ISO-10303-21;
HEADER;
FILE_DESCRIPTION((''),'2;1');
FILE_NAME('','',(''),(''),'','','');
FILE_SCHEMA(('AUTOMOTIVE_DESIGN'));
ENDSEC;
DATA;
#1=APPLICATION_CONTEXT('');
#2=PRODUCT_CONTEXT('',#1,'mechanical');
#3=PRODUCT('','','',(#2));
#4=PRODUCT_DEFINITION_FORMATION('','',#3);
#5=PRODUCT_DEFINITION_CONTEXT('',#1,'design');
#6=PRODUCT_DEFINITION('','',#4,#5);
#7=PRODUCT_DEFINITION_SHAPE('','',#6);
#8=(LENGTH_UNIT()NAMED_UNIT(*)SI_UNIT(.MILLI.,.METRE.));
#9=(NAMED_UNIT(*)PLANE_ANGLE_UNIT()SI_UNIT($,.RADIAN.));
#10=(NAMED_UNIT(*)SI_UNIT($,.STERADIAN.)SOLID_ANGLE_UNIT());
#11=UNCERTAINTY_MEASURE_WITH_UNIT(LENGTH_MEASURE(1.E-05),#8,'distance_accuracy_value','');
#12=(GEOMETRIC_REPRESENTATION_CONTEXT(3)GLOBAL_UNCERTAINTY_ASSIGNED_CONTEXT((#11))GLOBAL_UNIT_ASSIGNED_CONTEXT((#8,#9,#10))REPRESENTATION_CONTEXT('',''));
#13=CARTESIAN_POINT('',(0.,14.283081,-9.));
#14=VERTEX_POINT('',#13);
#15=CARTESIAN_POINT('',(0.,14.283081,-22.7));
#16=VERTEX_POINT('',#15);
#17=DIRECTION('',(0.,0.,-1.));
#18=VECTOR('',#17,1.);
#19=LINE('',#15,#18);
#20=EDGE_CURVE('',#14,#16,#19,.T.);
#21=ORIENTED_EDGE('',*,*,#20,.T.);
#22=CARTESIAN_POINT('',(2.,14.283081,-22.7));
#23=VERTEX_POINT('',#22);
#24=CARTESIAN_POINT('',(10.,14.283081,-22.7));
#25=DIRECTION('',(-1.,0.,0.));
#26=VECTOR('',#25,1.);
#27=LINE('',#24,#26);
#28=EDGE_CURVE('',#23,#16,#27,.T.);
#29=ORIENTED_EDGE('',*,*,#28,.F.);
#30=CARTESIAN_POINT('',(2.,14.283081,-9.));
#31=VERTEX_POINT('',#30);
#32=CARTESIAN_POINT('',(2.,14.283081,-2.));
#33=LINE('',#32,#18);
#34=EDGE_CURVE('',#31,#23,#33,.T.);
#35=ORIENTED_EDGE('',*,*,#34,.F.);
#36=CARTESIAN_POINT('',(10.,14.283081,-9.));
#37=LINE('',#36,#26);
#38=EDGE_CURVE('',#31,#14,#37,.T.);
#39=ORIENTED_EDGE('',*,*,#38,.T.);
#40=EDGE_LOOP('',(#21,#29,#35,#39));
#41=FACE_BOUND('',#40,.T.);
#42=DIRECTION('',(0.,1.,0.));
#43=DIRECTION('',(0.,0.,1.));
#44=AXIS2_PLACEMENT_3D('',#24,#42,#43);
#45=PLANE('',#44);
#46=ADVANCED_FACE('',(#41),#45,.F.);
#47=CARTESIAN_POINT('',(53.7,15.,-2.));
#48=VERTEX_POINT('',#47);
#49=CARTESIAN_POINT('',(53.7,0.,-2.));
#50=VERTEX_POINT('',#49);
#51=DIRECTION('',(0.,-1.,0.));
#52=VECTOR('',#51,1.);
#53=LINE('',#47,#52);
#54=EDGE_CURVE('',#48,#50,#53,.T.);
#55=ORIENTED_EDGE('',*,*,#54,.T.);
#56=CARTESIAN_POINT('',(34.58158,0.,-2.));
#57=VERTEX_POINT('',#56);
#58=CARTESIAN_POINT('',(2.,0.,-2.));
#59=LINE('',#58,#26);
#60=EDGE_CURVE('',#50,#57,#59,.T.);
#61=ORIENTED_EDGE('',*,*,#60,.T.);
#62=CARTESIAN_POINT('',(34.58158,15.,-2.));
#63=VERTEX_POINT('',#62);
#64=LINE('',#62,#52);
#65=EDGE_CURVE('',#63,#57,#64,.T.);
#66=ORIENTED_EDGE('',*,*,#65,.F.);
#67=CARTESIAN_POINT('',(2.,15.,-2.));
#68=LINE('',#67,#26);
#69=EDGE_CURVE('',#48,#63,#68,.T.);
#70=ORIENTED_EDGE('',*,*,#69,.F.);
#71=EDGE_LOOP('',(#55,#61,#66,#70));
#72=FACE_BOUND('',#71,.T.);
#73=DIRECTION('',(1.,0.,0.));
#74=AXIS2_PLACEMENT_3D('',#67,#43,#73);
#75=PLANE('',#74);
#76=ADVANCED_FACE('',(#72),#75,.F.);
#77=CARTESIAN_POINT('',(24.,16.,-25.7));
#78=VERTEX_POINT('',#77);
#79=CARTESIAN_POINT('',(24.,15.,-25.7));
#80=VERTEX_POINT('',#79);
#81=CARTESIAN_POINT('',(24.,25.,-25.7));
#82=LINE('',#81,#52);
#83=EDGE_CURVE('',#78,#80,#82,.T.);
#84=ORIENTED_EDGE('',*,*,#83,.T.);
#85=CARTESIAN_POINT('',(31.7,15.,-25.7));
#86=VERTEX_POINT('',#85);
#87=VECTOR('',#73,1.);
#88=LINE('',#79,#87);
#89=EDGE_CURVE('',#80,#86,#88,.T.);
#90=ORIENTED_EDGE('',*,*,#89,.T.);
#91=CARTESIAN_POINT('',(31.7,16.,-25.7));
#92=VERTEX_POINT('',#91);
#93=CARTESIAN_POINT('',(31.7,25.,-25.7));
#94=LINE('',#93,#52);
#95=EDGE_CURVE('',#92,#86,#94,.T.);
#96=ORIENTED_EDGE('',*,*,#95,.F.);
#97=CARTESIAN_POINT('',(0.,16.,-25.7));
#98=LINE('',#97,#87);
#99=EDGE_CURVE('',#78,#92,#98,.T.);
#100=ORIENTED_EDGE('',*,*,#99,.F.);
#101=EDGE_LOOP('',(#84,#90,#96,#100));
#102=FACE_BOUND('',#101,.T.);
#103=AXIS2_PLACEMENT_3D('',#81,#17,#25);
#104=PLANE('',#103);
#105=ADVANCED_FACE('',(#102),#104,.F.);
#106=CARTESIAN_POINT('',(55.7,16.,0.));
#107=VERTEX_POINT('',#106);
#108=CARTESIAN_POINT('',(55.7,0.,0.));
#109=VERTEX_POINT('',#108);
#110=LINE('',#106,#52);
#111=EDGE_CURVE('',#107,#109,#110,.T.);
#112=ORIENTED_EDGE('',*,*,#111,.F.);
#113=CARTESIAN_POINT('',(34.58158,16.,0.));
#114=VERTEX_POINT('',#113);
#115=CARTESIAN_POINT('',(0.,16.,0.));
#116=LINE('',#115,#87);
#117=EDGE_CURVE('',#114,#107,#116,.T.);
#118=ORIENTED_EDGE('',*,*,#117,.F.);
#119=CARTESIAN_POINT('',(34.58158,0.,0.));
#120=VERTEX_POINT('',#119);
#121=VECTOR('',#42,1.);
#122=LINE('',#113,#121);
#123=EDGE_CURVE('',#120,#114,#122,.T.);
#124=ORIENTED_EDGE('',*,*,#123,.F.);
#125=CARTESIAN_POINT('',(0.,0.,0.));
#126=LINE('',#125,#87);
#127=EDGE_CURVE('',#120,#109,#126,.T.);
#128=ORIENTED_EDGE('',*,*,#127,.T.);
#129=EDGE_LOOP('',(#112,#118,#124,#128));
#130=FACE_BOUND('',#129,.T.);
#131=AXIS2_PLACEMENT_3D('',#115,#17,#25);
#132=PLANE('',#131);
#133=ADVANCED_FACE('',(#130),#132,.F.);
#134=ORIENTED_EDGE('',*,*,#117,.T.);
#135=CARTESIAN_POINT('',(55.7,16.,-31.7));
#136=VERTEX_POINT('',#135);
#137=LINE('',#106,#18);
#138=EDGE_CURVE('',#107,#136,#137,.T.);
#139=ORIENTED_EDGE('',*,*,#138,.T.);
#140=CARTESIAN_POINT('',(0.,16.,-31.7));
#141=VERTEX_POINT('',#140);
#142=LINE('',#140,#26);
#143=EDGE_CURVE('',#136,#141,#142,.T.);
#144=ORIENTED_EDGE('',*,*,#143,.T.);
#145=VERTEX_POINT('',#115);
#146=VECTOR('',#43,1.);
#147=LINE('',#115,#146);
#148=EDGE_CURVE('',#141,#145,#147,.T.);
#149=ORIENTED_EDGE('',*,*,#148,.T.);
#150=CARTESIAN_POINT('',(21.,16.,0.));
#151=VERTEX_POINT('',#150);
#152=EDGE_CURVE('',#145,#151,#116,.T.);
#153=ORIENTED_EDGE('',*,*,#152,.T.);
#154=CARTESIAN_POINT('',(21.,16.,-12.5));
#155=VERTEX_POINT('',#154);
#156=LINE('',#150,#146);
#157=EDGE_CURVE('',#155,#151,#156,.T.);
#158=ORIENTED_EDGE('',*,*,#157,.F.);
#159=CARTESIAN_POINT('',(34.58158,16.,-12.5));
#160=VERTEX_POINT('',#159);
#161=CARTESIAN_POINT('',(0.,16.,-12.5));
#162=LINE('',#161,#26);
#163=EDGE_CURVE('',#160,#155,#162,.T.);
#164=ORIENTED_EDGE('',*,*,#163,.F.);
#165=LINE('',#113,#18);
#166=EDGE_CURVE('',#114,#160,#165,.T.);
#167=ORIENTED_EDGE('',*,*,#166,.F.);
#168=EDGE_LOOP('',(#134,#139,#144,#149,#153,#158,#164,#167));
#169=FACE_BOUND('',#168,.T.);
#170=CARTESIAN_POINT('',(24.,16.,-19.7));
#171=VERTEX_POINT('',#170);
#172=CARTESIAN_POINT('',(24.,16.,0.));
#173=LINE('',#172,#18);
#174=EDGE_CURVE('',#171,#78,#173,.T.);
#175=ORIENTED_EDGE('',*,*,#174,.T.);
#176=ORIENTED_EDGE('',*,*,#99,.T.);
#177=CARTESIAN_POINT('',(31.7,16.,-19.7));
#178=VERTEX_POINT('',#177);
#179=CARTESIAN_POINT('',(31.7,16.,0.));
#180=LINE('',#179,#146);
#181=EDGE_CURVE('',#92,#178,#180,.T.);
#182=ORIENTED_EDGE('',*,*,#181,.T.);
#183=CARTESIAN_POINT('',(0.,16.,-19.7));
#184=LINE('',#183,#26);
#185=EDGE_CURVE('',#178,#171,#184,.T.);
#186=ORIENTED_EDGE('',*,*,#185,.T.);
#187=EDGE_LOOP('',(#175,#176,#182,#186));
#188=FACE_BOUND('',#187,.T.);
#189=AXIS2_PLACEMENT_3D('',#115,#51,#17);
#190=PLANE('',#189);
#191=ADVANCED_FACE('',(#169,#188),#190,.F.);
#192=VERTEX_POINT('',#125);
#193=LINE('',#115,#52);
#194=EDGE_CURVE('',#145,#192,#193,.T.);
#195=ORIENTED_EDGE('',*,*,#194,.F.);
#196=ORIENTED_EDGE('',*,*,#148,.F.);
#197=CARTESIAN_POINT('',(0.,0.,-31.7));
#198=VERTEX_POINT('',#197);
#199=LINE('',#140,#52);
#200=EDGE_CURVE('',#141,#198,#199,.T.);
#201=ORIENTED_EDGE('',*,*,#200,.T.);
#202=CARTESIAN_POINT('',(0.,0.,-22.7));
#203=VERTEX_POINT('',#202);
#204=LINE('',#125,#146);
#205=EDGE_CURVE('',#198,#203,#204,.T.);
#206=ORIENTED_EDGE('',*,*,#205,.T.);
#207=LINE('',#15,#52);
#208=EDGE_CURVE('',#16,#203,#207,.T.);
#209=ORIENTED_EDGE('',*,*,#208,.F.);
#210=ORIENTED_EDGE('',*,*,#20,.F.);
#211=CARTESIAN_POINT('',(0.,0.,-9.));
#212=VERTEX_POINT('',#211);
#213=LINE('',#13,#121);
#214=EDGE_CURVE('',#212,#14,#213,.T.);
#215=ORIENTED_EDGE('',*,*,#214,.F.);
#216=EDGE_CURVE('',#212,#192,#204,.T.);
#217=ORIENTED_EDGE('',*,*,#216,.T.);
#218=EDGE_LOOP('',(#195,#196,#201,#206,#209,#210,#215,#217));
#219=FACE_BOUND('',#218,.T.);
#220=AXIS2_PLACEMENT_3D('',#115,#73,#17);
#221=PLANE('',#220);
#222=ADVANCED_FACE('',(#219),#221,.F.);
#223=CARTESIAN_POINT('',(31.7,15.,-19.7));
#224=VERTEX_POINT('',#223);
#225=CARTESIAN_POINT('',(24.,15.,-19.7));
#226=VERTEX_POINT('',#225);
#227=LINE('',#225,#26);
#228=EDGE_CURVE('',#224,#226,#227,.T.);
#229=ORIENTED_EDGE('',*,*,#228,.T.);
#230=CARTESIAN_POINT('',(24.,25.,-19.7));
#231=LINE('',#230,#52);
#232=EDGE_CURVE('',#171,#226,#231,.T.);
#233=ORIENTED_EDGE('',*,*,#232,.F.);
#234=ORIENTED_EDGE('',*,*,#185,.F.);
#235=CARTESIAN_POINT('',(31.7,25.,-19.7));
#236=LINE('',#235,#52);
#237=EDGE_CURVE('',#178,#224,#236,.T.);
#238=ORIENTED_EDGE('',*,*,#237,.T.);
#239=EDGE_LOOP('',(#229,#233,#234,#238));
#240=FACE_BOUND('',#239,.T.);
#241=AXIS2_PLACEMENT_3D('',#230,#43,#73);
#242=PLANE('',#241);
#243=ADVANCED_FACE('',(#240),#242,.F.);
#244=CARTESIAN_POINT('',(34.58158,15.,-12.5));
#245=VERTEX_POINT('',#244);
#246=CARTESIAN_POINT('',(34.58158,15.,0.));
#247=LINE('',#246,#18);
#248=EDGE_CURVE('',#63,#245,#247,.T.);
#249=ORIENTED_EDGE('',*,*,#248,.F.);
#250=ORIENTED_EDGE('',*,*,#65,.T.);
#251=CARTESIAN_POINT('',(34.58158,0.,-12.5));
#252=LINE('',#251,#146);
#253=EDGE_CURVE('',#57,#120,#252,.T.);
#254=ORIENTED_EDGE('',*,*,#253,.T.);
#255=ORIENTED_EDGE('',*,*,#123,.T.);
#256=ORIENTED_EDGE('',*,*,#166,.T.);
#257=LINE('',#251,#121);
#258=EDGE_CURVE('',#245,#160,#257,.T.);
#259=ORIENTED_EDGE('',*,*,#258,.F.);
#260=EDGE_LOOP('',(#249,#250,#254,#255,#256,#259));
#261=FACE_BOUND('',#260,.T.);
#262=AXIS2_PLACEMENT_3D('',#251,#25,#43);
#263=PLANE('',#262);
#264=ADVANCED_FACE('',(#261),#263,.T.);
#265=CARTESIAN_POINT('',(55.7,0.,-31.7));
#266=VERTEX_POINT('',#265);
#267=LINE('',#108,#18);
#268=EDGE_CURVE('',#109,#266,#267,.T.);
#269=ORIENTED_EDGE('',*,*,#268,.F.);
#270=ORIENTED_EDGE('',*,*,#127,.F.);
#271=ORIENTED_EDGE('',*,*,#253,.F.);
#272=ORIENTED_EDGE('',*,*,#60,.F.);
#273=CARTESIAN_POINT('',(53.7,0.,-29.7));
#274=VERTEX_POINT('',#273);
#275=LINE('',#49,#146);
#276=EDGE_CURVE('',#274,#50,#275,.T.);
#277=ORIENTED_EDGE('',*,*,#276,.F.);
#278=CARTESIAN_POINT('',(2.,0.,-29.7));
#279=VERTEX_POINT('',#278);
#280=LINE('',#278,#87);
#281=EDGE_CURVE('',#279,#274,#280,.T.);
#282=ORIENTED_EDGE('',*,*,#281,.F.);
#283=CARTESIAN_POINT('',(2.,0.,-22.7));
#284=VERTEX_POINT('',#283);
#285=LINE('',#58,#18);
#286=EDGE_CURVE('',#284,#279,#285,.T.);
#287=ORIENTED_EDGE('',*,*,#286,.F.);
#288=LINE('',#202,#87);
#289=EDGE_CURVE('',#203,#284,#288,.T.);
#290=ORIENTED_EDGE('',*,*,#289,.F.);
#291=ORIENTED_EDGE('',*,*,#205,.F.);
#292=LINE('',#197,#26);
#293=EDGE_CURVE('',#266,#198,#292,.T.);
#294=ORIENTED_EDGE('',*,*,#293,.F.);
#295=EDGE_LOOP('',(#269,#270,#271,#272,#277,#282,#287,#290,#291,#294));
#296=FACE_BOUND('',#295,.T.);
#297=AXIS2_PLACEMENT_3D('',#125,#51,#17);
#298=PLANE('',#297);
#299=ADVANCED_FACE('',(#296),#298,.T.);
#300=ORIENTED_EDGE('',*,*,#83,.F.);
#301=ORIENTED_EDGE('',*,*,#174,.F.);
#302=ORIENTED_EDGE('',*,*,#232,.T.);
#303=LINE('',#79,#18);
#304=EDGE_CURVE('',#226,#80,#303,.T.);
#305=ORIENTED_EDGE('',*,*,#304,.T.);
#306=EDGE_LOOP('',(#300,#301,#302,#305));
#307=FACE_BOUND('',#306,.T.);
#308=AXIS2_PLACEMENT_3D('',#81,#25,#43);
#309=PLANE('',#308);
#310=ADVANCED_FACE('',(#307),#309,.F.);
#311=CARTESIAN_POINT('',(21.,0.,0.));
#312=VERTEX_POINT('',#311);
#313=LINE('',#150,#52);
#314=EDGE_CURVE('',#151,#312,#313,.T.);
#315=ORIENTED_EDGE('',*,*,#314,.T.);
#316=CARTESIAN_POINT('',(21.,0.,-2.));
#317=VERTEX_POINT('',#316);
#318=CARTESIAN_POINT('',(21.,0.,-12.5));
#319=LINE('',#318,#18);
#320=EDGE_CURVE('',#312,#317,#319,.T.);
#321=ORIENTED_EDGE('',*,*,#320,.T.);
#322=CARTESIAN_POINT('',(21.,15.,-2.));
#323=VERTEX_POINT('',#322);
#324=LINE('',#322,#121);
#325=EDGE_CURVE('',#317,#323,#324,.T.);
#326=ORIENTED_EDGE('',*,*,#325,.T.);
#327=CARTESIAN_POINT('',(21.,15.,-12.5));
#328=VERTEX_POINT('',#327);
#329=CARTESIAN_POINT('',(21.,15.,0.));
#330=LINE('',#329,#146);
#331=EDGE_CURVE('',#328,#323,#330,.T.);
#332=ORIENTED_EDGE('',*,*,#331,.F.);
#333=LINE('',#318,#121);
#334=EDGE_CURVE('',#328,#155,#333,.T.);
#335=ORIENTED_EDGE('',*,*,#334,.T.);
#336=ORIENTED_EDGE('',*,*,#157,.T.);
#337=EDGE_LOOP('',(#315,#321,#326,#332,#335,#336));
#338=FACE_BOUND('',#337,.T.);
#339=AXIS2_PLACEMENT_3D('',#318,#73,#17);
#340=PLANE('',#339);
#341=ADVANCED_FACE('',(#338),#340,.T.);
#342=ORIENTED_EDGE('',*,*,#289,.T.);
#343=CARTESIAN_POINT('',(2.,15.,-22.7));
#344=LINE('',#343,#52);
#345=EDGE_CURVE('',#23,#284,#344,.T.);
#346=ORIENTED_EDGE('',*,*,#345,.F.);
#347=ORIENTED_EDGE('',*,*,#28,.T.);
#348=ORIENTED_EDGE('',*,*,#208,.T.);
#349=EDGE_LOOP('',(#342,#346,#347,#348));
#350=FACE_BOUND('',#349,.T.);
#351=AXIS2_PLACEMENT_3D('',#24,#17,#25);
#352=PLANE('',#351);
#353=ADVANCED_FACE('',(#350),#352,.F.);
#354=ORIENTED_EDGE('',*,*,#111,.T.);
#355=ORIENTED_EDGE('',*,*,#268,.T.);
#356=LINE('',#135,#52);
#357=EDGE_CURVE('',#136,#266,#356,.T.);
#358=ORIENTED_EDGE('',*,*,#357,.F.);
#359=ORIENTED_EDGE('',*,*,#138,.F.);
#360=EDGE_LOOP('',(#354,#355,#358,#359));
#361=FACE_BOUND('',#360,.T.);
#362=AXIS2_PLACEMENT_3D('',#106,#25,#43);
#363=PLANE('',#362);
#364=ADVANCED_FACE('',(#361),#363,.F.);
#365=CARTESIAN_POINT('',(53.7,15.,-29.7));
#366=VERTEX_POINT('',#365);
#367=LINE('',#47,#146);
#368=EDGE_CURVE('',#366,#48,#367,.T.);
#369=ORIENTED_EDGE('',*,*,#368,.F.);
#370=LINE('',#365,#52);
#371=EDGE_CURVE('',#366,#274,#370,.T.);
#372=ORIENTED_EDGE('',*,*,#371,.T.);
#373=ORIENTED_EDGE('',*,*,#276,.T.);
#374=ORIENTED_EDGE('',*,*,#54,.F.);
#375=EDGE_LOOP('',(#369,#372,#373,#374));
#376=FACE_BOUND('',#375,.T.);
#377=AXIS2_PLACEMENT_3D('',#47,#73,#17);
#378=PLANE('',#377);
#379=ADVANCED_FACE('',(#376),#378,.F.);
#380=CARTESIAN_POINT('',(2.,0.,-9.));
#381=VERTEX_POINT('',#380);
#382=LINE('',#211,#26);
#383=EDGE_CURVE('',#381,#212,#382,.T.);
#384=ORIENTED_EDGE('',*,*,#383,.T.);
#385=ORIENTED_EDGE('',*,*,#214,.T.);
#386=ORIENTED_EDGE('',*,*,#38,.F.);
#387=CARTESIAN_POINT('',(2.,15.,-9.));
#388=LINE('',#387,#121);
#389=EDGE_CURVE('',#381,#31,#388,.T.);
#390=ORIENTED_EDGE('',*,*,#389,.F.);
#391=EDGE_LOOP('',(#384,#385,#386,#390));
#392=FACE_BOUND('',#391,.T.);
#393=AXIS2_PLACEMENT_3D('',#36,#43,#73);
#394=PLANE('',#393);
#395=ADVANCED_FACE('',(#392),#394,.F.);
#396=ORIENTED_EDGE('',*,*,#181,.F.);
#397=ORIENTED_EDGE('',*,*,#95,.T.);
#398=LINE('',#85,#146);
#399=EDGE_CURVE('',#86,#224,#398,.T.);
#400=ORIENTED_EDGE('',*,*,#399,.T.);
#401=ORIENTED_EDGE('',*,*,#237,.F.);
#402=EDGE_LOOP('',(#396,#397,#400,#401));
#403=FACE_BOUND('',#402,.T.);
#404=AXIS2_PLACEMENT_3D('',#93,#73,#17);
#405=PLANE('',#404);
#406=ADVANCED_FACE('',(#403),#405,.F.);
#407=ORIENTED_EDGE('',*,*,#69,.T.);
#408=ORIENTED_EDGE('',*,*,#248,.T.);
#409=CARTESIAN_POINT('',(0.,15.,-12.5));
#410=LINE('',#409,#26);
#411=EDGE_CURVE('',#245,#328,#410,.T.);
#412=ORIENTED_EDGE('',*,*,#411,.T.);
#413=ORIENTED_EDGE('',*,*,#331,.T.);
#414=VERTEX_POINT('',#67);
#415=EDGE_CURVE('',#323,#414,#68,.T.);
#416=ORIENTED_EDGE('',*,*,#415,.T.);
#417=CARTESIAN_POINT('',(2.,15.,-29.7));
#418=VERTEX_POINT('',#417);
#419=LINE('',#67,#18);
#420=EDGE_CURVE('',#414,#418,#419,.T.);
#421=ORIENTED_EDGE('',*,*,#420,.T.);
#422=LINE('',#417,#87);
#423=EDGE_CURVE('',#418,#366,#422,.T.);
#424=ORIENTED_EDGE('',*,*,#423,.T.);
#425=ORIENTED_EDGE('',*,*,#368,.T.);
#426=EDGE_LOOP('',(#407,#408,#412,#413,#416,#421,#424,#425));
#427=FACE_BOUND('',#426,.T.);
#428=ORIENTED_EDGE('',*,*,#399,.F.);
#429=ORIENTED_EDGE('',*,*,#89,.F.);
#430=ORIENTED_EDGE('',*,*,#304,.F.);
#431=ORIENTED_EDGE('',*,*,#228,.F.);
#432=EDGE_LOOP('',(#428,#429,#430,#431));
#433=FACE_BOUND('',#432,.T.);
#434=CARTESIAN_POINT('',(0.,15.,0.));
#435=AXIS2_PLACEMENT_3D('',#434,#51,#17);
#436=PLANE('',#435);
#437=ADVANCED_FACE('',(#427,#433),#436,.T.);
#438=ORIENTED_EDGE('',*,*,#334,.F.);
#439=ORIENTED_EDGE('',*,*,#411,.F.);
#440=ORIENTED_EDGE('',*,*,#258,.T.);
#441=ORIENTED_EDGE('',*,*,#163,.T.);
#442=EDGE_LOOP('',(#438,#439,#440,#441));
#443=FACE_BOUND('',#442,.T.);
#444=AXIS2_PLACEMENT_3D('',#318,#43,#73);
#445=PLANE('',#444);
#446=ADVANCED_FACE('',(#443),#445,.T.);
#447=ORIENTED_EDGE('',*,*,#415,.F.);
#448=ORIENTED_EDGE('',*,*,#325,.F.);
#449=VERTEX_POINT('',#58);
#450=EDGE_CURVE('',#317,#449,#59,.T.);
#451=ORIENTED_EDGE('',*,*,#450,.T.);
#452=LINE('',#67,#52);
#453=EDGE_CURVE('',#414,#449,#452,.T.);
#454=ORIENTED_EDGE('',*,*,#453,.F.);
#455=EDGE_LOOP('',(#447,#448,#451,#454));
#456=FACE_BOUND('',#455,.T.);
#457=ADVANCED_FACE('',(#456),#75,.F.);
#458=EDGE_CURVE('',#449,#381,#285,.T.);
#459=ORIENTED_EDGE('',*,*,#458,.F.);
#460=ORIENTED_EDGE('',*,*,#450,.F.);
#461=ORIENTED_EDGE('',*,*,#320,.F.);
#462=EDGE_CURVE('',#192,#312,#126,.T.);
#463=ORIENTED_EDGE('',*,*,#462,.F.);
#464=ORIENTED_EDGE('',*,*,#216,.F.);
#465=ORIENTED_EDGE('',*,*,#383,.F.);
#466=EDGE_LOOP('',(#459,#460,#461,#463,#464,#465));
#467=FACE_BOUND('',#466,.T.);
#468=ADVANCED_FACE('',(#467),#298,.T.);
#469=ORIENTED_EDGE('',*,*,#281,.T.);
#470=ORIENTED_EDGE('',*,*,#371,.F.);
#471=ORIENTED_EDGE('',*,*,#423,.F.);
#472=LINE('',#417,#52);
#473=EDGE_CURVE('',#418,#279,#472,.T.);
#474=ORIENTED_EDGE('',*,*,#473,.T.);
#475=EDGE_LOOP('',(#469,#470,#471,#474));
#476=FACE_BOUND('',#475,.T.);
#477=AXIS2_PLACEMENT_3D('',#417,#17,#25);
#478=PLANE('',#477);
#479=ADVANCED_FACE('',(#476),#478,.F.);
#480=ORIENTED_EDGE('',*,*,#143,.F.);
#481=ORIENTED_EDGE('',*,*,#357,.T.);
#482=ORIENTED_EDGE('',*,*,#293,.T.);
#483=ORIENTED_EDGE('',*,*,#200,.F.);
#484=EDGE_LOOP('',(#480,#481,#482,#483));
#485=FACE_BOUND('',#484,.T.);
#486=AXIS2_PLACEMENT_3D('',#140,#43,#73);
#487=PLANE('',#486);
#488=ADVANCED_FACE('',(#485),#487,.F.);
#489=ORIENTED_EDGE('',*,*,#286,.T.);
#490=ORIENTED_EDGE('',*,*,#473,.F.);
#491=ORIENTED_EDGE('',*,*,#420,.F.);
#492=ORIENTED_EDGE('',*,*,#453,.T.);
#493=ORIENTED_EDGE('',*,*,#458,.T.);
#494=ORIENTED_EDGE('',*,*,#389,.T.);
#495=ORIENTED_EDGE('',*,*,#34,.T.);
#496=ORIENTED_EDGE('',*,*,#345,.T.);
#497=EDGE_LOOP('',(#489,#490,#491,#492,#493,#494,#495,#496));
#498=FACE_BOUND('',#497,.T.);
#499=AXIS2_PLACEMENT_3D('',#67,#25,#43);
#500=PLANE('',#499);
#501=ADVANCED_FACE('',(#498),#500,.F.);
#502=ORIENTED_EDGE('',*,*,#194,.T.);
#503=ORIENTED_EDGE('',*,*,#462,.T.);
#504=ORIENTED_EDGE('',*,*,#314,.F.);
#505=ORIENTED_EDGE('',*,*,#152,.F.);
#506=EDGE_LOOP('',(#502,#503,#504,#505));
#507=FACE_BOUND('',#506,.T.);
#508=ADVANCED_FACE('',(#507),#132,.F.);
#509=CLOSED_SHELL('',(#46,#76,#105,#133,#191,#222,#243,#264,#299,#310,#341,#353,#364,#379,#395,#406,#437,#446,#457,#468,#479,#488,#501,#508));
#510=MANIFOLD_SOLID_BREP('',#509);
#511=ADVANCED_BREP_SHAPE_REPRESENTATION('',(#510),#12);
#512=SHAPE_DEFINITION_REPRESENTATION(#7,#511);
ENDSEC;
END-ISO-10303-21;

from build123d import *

# Parameters (mm, degrees)
SKETCH1_W           = 55.7
SKETCH1_H           = 31.7
BOSS_EXTRUDE1_DEPTH = 16
SKETCH3_W           = 51.7
SKETCH3_H           = 27.7
CUT_EXTRUDE2_DEPTH  = 15
CUT_EXTRUDE3_START  = -5
SKETCH4_W           = 13.581579568
SKETCH4_H           = 13.316801047
CUT_EXTRUDE3_DEPTH  = 21
SKETCH5_W           = 7.7
SKETCH5_H           = 6
CUT_EXTRUDE4_DEPTH  = 10
SKETCH7_W           = 13.7
SKETCH7_H           = 14.99631632
CUT_EXTRUDE5_DEPTH  = 10


with BuildPart() as part:
    # Sketch1 → Boss-Extrude1 (new body)
    with BuildSketch(Plane(origin=(0, 0, 0), x_dir=(1, 0, 0), z_dir=(0, 1, 0))):
        with Locations((27.85, 15.85)):
            Rectangle(SKETCH1_W, SKETCH1_H)
    extrude(amount=BOSS_EXTRUDE1_DEPTH)

    # Sketch3 → Cut-Extrude2 (cut)
    with BuildSketch(Plane.XZ):
        with Locations((27.85, -15.85)):
            Rectangle(SKETCH3_W, SKETCH3_H)
    extrude(amount=-CUT_EXTRUDE2_DEPTH, mode=Mode.SUBTRACT)

    # Sketch4 → Cut-Extrude3 (cut, through all)
    with BuildSketch(Plane.XZ.offset(-15).offset(CUT_EXTRUDE3_START)):
        with Locations((27.790789784, -5.841599476)):
            Rectangle(SKETCH4_W, SKETCH4_H)
    extrude(amount=CUT_EXTRUDE3_DEPTH, mode=Mode.SUBTRACT)

    # Sketch5 → Cut-Extrude4 (cut)
    with BuildSketch(Plane.XZ.offset(-15)):
        with Locations((27.85, -22.7)):
            Rectangle(SKETCH5_W, SKETCH5_H)
    extrude(amount=-CUT_EXTRUDE4_DEPTH, mode=Mode.SUBTRACT)

    # Sketch7 → Cut-Extrude5 (cut)
    with BuildSketch(Plane.ZY):
        with Locations((-15.85, 6.784922937)):
            Rectangle(SKETCH7_W, SKETCH7_H)
    extrude(amount=-CUT_EXTRUDE5_DEPTH, mode=Mode.SUBTRACT)


solid = part.part
